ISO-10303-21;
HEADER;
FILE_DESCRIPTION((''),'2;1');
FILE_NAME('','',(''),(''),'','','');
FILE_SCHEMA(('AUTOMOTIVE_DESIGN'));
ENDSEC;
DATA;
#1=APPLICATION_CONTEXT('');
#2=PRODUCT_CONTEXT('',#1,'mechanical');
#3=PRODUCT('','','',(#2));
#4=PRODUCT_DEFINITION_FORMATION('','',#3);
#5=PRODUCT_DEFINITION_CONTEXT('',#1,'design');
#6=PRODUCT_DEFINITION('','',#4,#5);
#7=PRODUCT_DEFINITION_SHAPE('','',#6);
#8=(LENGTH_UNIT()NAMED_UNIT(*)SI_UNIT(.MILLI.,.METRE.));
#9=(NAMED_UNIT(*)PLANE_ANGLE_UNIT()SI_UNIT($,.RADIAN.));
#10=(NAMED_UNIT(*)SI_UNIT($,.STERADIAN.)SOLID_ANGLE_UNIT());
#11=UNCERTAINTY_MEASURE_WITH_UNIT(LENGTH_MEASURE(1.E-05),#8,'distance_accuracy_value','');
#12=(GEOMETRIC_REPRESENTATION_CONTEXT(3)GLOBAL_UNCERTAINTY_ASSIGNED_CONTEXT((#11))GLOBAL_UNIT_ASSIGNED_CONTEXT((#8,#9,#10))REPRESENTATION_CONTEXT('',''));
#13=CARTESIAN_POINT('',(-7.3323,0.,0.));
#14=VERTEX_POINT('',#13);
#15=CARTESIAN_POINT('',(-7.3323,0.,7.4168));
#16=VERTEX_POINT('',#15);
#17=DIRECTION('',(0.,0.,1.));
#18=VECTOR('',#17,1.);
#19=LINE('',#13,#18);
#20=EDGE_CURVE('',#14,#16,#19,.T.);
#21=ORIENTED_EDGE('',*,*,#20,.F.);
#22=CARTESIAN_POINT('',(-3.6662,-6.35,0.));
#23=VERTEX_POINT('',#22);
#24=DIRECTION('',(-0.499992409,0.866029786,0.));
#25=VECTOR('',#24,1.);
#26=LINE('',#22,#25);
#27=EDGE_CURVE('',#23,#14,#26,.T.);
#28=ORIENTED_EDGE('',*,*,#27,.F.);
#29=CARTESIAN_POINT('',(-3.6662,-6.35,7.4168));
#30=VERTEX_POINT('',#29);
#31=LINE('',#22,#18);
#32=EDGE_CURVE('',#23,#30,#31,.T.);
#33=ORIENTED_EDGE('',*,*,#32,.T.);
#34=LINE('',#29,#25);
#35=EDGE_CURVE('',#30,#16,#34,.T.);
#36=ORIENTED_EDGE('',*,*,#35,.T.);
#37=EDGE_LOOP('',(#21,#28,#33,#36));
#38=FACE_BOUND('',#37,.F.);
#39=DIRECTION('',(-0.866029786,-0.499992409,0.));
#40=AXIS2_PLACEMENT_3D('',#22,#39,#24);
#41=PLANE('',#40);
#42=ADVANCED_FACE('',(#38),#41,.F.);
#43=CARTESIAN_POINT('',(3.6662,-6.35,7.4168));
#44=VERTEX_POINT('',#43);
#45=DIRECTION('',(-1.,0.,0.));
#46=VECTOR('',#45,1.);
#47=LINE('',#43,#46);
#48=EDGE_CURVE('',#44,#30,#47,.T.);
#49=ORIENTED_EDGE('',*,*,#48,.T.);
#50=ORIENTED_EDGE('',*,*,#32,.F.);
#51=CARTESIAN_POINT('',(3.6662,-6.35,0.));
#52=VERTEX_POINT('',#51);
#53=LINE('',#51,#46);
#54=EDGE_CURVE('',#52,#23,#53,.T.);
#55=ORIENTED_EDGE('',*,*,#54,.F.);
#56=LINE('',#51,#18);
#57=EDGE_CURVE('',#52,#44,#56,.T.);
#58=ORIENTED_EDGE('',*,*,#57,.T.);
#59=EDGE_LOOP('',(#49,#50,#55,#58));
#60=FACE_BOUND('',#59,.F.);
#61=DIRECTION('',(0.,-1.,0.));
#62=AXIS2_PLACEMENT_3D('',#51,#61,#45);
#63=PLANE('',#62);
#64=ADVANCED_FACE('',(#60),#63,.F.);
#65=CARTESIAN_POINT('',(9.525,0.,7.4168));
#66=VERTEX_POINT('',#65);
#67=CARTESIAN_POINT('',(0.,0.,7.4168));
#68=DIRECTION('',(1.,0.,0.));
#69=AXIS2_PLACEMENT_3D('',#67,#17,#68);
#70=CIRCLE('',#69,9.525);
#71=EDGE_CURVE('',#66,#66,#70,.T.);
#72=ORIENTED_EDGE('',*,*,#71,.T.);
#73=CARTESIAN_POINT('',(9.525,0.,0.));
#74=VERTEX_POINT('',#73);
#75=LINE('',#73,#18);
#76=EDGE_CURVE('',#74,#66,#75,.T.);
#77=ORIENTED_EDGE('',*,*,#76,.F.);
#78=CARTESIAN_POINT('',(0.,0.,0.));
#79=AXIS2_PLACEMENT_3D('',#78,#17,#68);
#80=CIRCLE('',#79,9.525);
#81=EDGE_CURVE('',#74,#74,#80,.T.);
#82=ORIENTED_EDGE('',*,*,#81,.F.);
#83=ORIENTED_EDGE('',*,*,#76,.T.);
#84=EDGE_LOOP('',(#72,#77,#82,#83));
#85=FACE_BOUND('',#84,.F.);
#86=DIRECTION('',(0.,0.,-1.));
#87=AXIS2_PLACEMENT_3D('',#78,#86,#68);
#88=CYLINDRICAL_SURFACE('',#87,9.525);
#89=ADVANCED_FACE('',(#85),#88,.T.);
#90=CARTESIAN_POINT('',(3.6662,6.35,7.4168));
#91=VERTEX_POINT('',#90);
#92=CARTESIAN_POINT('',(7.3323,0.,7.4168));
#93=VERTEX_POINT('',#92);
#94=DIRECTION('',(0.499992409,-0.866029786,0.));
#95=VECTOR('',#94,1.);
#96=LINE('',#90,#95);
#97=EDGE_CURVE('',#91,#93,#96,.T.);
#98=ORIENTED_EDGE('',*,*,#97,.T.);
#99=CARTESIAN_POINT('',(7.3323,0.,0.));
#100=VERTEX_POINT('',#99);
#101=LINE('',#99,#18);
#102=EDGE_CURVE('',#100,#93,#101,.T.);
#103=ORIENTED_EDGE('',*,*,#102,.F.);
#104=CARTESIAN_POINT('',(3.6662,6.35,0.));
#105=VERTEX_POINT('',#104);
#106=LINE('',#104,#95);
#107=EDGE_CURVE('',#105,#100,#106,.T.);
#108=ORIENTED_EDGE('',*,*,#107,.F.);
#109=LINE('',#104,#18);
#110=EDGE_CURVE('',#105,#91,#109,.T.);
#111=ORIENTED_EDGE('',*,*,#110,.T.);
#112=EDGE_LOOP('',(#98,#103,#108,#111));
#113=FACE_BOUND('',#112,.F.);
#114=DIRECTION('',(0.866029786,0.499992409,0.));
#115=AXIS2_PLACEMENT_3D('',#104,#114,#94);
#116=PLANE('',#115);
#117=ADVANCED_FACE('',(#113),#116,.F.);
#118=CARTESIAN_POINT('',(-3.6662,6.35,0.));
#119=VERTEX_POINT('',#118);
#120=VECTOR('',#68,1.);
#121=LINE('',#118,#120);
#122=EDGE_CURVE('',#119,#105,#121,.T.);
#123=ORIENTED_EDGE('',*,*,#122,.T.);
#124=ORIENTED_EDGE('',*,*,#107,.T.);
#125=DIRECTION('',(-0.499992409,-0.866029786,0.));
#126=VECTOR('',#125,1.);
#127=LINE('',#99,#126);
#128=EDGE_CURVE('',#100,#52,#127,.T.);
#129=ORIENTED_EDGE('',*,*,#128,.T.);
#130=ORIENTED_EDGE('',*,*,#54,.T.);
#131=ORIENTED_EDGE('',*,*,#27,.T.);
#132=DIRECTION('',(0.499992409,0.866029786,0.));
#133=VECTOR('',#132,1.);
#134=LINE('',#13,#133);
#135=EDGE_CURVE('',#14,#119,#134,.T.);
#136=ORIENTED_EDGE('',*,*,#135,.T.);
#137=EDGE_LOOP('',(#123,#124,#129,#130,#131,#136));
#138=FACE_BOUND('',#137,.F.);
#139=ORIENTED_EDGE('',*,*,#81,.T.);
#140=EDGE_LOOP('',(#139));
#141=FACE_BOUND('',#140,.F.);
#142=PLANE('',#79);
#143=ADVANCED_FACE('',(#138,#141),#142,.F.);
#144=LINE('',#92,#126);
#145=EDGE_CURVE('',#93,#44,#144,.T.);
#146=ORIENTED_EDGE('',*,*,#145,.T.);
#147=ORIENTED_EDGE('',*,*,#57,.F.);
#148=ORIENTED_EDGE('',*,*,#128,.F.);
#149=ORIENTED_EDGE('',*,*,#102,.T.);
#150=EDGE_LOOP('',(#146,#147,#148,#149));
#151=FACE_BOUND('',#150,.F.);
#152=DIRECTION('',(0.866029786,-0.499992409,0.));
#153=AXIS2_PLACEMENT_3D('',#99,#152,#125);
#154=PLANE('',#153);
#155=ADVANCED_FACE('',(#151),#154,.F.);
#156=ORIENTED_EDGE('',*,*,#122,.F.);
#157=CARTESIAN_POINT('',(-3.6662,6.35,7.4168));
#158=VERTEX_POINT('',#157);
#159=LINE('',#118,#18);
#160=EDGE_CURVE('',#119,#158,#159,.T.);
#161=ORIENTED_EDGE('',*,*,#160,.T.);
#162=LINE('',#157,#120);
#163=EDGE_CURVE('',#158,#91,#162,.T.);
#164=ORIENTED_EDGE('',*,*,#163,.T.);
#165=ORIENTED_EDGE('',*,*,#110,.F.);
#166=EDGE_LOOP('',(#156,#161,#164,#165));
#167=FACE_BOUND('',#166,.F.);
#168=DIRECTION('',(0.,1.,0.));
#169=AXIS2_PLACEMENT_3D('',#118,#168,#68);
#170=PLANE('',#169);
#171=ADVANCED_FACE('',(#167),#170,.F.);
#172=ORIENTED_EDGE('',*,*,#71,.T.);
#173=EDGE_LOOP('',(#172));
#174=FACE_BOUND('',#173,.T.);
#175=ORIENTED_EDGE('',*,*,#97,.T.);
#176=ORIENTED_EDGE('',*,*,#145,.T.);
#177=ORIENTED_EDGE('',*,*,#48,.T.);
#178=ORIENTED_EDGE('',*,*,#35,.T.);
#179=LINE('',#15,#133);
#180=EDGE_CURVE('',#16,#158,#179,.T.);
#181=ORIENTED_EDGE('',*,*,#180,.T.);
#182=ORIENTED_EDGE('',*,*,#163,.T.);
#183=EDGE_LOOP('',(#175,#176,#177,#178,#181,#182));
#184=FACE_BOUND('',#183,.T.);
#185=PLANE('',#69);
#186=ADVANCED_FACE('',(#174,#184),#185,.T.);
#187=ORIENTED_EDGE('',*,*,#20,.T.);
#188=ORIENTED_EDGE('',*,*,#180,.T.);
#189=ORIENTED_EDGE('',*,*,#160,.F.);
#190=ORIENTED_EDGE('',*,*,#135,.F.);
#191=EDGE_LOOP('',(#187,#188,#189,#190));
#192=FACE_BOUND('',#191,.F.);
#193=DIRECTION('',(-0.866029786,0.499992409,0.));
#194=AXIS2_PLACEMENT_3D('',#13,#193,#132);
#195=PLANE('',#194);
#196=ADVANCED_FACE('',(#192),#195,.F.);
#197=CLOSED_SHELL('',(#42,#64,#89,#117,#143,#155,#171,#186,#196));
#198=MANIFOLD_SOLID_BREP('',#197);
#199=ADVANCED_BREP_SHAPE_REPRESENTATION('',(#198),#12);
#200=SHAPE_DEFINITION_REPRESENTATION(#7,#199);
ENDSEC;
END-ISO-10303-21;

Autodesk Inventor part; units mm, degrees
ref_plane "YZ Plane" through (0, 0, 0) normal (1, 0, 0) x (0, 1, 0)
ref_plane "XZ Plane" through (0, 0, 0) normal (0, 1, 0) x (-1, 0, 0)
ref_plane "XY Plane" through (0, 0, 0) normal (0, 0, 1) x (1, 0, 0)
sketch "Sketch1" plane through (0, 0, 0) normal (0, 0, 1) x (1, 0, 0)
  circle A0 centre (0, 0) radius 9.525
  line L0 (3.6662, 6.35) -> (7.3323, 0)
  line L1 (7.3323, 0) -> (3.6662, -6.35)
  line L2 (3.6662, -6.35) -> (-3.6662, -6.35)
  line L3 (-3.6662, -6.35) -> (-7.3323, 0)
  line L4 (-7.3323, 0) -> (-3.6662, 6.35)
  line L5 (-3.6662, 6.35) -> (3.6662, 6.35)
  dimension "d0" = 19.05
  dimension "d1" = 12.7
extrude "Extrusion1" add sketch "Sketch1" along normal blind 7.4168
properties part number "ARM_018_0.5inHexSpacer" material "ABS Plastic"
